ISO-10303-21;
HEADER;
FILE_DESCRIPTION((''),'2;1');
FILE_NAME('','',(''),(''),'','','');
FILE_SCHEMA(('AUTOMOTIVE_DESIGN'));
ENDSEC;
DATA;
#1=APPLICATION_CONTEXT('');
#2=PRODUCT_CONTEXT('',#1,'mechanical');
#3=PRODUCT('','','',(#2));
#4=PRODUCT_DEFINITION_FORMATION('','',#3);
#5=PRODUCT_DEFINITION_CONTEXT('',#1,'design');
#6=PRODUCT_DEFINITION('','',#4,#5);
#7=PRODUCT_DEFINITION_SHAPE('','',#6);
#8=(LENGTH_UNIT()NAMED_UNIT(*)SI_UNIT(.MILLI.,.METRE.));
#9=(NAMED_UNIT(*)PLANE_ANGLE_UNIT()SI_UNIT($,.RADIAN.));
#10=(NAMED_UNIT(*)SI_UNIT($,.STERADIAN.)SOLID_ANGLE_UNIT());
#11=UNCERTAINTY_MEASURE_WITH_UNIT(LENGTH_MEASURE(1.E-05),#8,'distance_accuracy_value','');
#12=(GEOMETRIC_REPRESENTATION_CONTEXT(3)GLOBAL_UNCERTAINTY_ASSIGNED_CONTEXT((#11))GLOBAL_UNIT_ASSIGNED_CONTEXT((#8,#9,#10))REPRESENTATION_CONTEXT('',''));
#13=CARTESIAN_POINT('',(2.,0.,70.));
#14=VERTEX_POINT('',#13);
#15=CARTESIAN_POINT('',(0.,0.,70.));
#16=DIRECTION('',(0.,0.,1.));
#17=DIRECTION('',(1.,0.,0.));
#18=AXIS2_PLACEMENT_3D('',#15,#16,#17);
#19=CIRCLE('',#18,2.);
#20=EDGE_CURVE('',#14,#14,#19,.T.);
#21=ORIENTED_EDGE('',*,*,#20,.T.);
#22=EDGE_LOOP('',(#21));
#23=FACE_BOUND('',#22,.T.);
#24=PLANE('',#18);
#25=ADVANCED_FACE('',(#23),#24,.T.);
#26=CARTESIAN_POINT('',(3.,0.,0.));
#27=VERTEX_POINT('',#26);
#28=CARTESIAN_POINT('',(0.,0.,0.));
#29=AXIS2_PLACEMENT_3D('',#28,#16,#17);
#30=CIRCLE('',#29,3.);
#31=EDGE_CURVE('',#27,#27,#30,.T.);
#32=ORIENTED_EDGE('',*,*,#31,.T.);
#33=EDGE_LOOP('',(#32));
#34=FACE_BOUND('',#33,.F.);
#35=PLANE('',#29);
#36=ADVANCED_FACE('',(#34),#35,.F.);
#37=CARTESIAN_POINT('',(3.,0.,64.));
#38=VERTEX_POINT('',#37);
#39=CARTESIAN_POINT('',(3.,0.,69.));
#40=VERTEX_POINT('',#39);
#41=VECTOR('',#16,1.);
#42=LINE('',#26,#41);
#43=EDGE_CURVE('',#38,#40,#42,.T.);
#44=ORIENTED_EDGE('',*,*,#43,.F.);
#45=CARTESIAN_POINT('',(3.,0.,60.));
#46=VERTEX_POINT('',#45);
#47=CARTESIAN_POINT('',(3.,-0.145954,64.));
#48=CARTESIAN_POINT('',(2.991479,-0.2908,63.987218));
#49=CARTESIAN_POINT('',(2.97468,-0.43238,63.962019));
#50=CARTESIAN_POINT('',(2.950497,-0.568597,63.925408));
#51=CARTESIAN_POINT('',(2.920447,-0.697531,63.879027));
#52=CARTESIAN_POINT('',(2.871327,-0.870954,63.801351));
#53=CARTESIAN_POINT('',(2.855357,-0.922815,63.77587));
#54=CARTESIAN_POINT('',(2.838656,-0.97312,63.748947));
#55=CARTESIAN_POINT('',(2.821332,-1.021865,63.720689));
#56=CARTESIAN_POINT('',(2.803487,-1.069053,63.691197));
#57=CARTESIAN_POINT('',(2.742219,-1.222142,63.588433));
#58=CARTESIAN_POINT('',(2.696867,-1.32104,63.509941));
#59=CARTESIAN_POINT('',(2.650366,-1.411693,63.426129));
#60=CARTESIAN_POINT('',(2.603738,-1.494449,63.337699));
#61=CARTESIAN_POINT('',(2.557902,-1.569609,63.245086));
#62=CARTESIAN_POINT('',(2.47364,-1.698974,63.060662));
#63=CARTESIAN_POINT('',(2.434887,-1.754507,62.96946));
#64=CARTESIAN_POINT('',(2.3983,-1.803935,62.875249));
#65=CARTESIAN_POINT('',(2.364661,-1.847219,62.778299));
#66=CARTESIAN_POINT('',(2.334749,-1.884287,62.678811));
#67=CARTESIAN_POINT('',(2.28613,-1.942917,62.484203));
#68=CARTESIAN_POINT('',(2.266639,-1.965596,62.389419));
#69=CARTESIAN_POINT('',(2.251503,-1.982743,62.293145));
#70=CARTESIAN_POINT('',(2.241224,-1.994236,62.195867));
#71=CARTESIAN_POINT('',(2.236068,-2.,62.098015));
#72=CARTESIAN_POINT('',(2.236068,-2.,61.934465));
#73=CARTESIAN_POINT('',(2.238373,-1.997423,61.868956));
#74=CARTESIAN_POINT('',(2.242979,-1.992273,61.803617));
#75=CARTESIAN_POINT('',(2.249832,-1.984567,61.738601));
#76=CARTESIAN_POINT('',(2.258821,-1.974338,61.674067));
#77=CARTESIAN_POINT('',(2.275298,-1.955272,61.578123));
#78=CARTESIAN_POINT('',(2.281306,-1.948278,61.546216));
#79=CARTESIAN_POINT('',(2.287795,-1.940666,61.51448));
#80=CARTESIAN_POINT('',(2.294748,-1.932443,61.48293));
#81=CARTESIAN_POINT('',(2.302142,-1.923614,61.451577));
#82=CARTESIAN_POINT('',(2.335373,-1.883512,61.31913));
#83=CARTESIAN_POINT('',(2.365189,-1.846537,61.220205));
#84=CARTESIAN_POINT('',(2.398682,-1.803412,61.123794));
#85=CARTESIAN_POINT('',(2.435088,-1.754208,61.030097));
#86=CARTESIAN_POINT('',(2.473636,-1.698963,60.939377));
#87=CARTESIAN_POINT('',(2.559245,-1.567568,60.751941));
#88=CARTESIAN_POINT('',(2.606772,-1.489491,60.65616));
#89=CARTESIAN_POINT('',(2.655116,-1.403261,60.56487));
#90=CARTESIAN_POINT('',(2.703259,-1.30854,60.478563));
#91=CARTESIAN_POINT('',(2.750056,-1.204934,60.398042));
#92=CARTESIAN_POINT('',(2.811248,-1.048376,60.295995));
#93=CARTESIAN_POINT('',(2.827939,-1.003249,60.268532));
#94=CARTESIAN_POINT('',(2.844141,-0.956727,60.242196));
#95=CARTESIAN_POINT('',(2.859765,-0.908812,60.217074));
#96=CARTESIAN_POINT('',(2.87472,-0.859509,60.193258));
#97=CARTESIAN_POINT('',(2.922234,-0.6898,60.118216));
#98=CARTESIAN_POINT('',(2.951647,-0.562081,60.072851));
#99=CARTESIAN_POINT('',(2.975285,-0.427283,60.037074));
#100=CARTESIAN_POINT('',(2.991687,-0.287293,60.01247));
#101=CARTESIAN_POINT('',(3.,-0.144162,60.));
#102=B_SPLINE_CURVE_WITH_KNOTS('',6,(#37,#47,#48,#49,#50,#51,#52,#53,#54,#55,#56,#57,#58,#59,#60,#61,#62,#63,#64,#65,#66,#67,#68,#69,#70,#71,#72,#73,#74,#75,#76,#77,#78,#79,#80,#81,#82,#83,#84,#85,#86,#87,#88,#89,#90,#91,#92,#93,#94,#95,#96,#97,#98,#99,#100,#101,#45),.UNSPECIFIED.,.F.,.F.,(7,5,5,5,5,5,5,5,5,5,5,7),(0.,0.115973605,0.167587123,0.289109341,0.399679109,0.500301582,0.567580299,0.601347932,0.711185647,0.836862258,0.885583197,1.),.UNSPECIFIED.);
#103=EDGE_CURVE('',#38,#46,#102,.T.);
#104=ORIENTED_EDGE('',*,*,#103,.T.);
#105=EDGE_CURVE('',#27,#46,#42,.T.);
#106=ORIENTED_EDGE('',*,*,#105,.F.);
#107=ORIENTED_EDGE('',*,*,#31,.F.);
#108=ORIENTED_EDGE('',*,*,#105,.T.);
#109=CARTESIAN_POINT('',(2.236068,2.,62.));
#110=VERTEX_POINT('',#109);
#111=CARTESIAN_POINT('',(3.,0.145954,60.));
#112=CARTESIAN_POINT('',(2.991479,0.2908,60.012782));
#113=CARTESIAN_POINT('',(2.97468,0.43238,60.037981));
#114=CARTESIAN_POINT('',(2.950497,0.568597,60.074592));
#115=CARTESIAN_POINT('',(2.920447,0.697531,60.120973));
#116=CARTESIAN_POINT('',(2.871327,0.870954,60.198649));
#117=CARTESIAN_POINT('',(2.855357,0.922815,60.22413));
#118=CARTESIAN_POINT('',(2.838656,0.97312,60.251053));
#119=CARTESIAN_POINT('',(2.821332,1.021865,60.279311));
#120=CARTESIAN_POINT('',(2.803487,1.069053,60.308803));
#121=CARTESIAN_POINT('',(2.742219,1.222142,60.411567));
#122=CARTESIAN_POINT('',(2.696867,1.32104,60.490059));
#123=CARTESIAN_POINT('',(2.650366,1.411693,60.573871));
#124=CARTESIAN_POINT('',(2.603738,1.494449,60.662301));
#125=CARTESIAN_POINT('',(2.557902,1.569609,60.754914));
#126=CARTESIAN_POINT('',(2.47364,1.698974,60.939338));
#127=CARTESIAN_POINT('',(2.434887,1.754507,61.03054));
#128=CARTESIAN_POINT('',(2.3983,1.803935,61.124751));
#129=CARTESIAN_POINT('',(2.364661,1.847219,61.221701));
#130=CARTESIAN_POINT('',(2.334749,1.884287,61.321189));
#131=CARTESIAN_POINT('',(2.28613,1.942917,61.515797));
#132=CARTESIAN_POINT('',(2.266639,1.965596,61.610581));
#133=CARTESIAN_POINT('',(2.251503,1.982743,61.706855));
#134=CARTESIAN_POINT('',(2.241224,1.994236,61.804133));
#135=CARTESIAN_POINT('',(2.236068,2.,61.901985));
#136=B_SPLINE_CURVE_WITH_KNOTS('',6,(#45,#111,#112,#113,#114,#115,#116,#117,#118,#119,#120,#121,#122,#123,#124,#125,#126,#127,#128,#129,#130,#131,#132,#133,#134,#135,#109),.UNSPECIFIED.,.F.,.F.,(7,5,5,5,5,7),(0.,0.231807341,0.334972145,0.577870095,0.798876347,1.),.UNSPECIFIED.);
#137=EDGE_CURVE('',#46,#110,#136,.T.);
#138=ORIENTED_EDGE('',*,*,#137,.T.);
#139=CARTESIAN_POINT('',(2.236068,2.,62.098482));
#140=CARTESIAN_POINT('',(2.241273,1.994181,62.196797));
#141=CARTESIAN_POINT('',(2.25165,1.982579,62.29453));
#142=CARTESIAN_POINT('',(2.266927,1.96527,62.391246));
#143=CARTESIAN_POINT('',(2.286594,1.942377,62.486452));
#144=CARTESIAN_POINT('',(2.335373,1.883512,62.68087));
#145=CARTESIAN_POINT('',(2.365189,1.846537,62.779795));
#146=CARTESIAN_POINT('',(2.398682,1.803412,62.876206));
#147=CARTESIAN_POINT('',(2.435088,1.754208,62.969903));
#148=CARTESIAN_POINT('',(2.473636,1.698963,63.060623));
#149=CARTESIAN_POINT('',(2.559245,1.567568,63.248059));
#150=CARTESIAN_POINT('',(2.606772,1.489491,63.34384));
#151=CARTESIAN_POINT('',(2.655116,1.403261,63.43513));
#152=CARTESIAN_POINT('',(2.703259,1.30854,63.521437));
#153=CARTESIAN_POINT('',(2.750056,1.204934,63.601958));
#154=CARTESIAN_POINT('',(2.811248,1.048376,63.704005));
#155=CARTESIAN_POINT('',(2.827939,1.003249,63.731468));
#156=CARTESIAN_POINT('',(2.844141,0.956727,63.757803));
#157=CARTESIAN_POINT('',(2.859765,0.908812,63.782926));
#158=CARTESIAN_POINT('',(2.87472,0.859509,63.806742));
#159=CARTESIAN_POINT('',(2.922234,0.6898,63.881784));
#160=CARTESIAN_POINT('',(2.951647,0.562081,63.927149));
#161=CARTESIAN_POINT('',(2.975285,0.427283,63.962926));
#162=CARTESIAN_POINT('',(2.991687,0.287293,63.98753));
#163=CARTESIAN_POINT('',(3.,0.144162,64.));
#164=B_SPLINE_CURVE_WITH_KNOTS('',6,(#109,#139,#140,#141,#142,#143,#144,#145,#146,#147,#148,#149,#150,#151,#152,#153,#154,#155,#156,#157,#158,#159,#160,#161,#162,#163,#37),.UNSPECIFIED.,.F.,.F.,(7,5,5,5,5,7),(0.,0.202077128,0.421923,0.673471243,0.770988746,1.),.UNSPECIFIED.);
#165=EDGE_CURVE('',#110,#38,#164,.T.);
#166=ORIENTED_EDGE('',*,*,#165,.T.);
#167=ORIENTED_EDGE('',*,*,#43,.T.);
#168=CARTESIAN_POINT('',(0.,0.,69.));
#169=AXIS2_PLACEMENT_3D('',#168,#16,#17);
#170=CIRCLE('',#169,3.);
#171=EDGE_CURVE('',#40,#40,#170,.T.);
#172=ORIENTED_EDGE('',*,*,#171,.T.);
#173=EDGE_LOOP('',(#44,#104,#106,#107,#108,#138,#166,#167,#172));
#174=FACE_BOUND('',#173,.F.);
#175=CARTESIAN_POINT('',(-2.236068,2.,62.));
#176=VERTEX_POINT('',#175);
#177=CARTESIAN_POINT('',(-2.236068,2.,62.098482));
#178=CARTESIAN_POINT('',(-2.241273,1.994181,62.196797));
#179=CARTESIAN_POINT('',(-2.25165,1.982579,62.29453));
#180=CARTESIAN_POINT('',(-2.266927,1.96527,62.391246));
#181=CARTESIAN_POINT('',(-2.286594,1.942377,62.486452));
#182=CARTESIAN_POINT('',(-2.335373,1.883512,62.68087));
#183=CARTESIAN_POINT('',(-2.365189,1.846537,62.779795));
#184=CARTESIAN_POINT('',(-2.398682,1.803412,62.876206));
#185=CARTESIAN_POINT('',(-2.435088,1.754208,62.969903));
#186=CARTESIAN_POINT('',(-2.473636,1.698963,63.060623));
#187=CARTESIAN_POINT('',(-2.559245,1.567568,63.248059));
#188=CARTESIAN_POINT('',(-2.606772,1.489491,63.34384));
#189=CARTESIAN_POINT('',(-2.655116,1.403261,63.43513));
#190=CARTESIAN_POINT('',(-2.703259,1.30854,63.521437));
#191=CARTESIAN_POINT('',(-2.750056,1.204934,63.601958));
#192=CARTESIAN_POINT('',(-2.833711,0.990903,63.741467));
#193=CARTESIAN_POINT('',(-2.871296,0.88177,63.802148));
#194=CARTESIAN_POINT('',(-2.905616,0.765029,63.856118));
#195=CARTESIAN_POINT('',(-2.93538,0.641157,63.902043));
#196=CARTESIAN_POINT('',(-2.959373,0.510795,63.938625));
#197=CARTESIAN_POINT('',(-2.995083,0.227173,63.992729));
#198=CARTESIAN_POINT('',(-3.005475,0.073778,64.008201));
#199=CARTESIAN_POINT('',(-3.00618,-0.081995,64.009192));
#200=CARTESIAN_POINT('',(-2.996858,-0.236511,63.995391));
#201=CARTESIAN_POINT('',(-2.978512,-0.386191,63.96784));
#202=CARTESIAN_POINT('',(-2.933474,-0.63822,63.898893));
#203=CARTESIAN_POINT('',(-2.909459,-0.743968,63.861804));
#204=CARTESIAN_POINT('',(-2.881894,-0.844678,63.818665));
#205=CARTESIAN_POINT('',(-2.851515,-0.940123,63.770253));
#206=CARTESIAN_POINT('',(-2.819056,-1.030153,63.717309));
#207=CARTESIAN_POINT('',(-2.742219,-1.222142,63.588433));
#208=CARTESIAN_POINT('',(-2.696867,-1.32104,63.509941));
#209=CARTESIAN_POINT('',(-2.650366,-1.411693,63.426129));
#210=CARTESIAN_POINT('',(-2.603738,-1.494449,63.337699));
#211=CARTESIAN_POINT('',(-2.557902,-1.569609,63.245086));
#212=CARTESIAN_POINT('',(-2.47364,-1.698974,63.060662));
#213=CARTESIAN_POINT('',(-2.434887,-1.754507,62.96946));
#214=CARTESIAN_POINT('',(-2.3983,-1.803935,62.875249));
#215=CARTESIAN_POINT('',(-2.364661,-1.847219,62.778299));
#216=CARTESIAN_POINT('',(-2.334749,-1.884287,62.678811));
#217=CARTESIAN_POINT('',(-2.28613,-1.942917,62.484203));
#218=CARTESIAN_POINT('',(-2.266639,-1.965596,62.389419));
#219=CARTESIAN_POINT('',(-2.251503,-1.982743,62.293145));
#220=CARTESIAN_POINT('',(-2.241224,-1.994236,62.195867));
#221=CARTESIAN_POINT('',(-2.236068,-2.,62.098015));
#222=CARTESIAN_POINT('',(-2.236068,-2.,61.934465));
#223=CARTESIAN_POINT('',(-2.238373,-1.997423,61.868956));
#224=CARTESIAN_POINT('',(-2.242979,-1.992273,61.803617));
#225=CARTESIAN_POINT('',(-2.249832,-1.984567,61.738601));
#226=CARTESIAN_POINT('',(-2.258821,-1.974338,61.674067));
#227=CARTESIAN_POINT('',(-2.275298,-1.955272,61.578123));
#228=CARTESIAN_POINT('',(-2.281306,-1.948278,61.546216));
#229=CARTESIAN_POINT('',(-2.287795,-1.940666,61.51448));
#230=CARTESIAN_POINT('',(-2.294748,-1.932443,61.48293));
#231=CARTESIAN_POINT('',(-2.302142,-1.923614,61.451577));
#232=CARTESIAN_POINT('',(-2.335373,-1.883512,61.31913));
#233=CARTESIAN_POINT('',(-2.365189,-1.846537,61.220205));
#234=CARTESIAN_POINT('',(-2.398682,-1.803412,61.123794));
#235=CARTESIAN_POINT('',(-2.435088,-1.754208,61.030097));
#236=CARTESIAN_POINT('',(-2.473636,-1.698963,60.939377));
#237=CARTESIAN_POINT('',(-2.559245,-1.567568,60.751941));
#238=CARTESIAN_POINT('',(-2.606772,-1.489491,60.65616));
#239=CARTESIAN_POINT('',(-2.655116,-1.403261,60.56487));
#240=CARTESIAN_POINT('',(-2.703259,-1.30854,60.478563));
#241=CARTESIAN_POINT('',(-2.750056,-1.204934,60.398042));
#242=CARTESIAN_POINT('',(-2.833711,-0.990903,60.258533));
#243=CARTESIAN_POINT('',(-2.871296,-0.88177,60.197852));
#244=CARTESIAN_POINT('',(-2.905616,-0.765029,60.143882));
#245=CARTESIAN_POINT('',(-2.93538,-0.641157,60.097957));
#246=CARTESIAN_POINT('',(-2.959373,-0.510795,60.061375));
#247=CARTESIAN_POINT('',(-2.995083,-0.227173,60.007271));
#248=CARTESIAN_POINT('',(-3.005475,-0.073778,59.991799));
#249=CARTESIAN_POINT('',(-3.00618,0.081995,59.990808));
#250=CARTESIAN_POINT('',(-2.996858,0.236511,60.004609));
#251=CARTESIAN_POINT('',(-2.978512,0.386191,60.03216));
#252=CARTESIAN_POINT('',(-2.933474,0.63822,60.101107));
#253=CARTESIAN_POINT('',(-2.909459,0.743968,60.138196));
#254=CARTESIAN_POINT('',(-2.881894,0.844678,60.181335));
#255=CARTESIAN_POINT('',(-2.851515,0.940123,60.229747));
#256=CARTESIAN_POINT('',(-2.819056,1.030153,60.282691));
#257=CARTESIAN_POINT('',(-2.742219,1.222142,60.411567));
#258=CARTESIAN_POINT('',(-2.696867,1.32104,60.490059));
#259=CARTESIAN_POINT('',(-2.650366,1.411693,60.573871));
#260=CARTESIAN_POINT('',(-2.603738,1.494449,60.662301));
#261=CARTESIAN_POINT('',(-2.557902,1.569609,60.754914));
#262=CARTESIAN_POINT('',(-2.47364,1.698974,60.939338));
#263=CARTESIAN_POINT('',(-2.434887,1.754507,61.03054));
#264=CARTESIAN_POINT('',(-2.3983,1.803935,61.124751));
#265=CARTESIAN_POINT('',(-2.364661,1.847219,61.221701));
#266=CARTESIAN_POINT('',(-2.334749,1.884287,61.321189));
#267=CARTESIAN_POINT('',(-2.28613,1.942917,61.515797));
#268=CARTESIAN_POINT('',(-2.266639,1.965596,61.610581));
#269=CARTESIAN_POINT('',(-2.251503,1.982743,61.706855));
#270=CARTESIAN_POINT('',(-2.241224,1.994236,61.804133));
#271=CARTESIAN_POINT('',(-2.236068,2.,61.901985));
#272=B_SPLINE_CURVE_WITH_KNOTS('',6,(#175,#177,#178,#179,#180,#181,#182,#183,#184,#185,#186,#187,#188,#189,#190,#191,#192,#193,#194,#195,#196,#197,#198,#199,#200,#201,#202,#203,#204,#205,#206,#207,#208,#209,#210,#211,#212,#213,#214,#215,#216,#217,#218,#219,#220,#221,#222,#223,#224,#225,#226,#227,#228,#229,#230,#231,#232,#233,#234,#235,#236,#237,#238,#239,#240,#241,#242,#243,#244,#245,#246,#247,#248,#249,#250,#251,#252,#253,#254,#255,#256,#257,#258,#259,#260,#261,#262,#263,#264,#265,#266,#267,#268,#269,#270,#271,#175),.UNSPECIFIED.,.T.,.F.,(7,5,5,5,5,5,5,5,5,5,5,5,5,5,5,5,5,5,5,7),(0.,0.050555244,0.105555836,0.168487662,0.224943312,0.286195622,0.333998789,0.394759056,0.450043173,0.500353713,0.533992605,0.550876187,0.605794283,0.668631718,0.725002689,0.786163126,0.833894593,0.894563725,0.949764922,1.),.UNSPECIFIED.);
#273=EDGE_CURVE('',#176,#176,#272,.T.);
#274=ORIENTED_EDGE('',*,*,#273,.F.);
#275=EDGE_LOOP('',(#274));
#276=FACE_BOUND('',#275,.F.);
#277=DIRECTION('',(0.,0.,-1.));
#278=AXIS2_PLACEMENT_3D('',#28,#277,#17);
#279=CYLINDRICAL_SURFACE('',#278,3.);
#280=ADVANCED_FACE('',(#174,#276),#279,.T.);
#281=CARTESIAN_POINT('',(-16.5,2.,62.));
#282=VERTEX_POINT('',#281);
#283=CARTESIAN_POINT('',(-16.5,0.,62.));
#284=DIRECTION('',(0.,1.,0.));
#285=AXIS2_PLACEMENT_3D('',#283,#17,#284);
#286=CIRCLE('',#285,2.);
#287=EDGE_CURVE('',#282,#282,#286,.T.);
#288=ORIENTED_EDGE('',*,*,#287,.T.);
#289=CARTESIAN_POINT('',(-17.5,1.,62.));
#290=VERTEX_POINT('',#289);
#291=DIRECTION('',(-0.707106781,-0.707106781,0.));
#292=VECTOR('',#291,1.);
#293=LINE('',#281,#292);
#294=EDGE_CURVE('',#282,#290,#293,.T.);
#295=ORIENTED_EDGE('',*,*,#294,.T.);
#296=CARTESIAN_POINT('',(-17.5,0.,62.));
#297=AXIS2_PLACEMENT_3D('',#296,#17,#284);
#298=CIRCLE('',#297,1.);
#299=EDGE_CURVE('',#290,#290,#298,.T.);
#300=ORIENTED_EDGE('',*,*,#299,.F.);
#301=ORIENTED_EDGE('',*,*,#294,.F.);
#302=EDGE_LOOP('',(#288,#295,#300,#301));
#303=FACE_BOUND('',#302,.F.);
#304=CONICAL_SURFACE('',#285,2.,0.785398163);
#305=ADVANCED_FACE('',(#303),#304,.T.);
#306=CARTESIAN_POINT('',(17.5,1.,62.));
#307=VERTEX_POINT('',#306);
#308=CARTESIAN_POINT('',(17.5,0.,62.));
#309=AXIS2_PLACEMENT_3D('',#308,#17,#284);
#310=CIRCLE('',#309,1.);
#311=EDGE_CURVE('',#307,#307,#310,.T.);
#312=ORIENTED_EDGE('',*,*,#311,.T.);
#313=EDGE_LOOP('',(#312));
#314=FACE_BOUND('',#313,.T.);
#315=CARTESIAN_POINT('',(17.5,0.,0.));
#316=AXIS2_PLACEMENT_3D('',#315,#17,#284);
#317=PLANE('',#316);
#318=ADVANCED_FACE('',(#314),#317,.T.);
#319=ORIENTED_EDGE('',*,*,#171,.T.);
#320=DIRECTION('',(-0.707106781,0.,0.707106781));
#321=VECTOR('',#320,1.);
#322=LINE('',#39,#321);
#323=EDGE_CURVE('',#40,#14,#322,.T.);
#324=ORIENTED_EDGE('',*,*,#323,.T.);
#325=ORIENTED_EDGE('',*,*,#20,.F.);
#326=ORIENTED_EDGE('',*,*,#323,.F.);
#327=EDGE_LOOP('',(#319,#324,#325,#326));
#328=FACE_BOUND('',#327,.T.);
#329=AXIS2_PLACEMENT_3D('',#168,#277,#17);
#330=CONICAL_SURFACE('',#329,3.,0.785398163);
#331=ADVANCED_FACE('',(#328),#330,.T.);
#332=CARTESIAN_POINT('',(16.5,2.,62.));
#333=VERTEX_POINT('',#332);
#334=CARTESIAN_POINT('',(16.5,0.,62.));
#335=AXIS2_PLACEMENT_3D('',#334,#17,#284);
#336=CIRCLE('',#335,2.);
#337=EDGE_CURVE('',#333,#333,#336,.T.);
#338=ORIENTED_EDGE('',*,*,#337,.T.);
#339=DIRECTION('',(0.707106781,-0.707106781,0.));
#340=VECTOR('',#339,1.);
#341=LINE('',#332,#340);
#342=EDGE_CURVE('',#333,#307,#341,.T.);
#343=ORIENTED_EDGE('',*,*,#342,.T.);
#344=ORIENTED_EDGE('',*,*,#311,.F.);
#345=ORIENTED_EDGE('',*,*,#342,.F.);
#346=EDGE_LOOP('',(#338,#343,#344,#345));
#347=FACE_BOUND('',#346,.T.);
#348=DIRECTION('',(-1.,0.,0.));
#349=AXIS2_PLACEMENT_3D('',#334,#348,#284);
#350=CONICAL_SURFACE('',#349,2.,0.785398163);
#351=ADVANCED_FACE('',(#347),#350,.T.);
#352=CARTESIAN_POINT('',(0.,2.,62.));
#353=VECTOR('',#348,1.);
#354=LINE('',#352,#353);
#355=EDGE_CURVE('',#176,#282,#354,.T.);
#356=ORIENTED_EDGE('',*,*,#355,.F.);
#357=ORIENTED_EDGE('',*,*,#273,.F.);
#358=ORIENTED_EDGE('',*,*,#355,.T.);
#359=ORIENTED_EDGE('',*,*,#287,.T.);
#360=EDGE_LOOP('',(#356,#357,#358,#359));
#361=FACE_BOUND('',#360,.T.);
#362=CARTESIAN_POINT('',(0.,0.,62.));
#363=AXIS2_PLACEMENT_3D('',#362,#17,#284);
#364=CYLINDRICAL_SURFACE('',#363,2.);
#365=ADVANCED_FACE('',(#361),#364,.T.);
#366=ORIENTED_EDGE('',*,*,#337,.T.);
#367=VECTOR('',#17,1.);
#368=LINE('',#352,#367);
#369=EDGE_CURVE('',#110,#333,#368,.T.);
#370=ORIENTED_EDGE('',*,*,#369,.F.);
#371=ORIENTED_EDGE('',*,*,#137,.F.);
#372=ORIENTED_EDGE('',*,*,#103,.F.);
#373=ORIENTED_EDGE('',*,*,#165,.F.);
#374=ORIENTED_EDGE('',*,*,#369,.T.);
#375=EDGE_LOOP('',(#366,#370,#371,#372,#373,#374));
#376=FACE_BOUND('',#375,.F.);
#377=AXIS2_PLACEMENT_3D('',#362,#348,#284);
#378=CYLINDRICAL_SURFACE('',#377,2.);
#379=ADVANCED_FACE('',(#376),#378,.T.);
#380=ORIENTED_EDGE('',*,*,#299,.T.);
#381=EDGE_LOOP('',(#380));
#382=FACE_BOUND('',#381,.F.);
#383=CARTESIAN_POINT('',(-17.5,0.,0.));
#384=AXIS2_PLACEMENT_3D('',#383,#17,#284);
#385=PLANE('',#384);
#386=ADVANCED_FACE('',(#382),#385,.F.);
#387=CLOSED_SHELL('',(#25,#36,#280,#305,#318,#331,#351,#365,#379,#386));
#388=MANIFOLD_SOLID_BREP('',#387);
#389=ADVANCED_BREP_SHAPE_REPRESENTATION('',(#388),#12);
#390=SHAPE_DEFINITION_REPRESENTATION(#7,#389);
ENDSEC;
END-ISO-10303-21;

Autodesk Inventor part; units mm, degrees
ref_plane "YZ Plane" through (0, 0, 0) normal (1, 0, 0) x (0, 1, 0)
ref_plane "XZ Plane" through (0, 0, 0) normal (0, 1, 0) x (-1, 0, 0)
ref_plane "XY Plane" through (0, 0, 0) normal (0, 0, 1) x (1, 0, 0)
sketch "Sketch1" plane through (0, 0, 0) normal (0, 0, 1) x (1, 0, 0)
  circle A0 centre (0, 0) radius 3
  dimension "d0" = 6
extrude "Extrusion1" add sketch "Sketch1" along normal blind 70
thread "Thread1" size "M6x1" class "6g" standard "ANSI Metric M Profile" length 55
chamfer "Chamfer1" distance 1 angle 45 1 edges at (-3, 0, 70)
sketch "Sketch2" plane through (0, 0, 0) normal (1, 0, 0) x (0, 1, 0)
  line L0 (-2, 70) -> (2, 70) construction
  line L1 (0, 70) -> (0, 62) construction
  circle A0 centre (0, 62) radius 2
  point P0 (0, 0)
  dimension "d8" = 8
  dimension "d9" = 4
extrude "Extrusion2" add sketch "Sketch2" along normal mid plane 35
chamfer "Chamfer2" distance 1 angle 45 2 edges at (17.5, -2, 62) (-17.5, -2, 62)
properties part number "screw"
